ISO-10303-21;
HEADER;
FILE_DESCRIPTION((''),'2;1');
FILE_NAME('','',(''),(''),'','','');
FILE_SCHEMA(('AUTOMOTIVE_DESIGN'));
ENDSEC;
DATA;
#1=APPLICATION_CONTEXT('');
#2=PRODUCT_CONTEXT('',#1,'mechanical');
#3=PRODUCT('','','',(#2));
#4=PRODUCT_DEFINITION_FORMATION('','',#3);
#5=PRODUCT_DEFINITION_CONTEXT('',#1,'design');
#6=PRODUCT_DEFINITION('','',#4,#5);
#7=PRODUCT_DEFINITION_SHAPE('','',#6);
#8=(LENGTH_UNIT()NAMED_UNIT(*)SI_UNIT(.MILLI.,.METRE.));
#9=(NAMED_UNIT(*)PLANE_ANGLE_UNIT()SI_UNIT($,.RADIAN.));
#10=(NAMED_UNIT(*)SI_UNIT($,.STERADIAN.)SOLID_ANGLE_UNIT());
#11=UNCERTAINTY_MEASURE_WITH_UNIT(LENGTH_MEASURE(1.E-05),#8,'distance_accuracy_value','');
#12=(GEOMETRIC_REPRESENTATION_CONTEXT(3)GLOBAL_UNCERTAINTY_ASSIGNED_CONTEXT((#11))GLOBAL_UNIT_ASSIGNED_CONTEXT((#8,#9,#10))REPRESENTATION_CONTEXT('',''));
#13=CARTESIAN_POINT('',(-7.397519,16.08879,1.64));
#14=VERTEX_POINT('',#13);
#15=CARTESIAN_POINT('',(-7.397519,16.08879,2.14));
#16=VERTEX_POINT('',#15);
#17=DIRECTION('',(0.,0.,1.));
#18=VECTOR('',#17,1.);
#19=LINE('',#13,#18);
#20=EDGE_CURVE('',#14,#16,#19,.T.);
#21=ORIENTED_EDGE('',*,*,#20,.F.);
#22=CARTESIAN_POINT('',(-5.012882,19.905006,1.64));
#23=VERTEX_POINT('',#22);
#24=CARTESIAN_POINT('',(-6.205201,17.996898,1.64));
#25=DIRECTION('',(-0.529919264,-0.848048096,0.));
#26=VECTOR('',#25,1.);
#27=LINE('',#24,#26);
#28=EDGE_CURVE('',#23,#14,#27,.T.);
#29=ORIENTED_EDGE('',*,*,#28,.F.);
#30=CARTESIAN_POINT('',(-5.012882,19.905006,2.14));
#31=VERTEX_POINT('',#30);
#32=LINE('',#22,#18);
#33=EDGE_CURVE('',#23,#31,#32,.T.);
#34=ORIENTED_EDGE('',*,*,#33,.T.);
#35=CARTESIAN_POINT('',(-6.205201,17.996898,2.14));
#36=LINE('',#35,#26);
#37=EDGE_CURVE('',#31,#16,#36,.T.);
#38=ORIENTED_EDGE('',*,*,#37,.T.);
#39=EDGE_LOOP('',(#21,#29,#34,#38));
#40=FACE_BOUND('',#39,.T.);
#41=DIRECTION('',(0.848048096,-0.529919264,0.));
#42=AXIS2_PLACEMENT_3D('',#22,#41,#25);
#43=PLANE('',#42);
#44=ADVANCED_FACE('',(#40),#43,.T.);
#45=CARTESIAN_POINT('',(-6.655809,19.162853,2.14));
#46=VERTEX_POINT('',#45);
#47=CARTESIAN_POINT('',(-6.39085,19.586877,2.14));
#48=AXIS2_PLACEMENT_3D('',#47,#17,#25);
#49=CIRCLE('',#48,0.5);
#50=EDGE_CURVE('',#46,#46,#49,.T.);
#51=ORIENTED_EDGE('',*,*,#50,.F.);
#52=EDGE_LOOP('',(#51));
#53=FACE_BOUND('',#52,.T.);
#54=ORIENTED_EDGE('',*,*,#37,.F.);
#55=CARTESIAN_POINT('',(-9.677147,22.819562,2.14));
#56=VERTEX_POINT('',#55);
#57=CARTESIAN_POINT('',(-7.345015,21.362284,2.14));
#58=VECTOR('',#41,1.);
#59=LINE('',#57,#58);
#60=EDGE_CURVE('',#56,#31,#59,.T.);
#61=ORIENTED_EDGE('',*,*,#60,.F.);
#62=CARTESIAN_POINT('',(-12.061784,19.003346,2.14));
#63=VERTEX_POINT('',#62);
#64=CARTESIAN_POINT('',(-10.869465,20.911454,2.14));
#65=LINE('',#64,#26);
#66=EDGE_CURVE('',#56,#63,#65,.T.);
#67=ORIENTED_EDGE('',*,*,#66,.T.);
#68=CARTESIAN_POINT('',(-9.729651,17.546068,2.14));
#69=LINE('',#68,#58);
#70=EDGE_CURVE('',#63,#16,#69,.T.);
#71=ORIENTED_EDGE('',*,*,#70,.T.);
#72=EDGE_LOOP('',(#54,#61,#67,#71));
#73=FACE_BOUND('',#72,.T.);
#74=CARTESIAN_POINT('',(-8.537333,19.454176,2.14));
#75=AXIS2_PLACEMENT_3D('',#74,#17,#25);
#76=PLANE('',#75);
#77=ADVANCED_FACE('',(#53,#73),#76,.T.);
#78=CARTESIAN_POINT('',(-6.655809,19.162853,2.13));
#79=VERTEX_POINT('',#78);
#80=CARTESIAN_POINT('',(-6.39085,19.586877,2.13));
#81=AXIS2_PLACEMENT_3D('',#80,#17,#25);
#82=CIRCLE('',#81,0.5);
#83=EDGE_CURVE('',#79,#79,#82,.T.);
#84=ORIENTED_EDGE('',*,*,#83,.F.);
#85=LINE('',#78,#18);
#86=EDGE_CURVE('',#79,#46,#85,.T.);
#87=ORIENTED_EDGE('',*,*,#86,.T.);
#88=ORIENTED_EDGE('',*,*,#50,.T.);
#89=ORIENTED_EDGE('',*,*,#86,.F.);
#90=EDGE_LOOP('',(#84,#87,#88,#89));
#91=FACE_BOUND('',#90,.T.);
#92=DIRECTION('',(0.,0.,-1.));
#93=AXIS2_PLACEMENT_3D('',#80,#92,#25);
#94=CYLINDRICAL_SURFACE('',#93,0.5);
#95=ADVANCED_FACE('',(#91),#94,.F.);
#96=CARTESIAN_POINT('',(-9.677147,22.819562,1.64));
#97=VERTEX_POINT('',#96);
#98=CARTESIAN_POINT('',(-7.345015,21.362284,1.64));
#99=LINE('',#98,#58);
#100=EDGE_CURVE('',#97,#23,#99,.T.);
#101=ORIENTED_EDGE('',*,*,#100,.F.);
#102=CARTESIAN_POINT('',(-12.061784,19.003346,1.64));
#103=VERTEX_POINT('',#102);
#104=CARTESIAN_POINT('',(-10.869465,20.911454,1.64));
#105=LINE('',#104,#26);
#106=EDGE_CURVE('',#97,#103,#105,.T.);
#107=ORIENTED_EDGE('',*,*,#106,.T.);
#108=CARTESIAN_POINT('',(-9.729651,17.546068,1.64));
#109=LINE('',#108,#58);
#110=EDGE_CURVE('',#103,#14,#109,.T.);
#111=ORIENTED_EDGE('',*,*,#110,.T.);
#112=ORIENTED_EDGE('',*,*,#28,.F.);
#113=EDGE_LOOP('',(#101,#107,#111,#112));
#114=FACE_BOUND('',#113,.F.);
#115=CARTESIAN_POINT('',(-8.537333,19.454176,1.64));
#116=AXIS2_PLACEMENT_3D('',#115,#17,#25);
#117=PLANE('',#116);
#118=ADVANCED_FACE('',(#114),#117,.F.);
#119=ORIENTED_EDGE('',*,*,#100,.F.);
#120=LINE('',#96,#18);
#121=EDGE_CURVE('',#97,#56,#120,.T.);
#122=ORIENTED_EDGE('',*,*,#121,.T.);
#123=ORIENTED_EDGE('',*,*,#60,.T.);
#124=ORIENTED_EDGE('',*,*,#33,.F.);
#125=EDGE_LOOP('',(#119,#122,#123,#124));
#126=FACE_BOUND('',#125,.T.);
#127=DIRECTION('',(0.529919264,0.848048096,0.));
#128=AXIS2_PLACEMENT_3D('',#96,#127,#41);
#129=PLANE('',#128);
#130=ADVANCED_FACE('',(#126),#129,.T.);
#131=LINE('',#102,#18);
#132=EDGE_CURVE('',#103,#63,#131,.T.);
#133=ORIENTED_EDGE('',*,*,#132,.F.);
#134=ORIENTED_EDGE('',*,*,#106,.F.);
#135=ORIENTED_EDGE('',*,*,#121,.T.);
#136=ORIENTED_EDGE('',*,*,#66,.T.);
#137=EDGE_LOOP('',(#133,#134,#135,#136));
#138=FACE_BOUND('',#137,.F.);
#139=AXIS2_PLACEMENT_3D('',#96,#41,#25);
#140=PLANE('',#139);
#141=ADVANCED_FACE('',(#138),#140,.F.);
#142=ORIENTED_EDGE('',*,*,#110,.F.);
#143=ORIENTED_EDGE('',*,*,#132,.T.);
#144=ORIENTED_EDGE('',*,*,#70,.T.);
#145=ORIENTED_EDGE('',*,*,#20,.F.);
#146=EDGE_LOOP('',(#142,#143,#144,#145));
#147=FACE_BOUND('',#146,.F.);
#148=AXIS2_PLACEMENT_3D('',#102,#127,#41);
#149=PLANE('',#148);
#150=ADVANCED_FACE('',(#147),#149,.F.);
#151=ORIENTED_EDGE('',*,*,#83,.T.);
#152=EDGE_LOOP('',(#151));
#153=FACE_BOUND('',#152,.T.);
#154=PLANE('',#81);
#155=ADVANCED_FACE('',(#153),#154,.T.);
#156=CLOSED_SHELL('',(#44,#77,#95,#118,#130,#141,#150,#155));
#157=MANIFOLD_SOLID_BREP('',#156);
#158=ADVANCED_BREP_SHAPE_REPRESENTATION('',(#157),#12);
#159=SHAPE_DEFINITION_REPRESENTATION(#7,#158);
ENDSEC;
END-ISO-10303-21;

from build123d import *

# Parameters (mm, degrees)
CYLINDER080_R          = 0.5
CYLINDER080_DEPTH      = 0.01
BOX171_W               = 4.5
BOX171_H               = 5.5
BOX171_DEPTH           = 0.5
CUT083_PLACEMENT_ANGLE = 122


with BuildPart() as cylinder080:
    # Cylinder080 → Cylinder080 (new body)
    with BuildSketch(Plane(origin=(1, 4.5, 0.49), x_dir=(1, 0, 0), z_dir=(0, 0, 1))):
        Circle(CYLINDER080_R)
    extrude(amount=CYLINDER080_DEPTH)


with BuildPart() as small_linbo3_plate088:
    # Box171 → Box171 (new body)
    with BuildSketch(Plane.XY):
        with Locations((2.25, 2.75)):
            Rectangle(BOX171_W, BOX171_H)
    extrude(amount=BOX171_DEPTH)

    # Cut083: cut Cylinder080
    add(cylinder080.part, mode=Mode.SUBTRACT)


with BuildPart() as small_linbo3_plate088_1:
    # Cut083 placement: moved
    add(small_linbo3_plate088.part.moved(Location((-9.677147, 22.819562, 1.64))).rotate(Axis((-9.677147, 22.819562, 1.64), (0, 0, -1)), CUT083_PLACEMENT_ANGLE))


solid = small_linbo3_plate088_1.part
